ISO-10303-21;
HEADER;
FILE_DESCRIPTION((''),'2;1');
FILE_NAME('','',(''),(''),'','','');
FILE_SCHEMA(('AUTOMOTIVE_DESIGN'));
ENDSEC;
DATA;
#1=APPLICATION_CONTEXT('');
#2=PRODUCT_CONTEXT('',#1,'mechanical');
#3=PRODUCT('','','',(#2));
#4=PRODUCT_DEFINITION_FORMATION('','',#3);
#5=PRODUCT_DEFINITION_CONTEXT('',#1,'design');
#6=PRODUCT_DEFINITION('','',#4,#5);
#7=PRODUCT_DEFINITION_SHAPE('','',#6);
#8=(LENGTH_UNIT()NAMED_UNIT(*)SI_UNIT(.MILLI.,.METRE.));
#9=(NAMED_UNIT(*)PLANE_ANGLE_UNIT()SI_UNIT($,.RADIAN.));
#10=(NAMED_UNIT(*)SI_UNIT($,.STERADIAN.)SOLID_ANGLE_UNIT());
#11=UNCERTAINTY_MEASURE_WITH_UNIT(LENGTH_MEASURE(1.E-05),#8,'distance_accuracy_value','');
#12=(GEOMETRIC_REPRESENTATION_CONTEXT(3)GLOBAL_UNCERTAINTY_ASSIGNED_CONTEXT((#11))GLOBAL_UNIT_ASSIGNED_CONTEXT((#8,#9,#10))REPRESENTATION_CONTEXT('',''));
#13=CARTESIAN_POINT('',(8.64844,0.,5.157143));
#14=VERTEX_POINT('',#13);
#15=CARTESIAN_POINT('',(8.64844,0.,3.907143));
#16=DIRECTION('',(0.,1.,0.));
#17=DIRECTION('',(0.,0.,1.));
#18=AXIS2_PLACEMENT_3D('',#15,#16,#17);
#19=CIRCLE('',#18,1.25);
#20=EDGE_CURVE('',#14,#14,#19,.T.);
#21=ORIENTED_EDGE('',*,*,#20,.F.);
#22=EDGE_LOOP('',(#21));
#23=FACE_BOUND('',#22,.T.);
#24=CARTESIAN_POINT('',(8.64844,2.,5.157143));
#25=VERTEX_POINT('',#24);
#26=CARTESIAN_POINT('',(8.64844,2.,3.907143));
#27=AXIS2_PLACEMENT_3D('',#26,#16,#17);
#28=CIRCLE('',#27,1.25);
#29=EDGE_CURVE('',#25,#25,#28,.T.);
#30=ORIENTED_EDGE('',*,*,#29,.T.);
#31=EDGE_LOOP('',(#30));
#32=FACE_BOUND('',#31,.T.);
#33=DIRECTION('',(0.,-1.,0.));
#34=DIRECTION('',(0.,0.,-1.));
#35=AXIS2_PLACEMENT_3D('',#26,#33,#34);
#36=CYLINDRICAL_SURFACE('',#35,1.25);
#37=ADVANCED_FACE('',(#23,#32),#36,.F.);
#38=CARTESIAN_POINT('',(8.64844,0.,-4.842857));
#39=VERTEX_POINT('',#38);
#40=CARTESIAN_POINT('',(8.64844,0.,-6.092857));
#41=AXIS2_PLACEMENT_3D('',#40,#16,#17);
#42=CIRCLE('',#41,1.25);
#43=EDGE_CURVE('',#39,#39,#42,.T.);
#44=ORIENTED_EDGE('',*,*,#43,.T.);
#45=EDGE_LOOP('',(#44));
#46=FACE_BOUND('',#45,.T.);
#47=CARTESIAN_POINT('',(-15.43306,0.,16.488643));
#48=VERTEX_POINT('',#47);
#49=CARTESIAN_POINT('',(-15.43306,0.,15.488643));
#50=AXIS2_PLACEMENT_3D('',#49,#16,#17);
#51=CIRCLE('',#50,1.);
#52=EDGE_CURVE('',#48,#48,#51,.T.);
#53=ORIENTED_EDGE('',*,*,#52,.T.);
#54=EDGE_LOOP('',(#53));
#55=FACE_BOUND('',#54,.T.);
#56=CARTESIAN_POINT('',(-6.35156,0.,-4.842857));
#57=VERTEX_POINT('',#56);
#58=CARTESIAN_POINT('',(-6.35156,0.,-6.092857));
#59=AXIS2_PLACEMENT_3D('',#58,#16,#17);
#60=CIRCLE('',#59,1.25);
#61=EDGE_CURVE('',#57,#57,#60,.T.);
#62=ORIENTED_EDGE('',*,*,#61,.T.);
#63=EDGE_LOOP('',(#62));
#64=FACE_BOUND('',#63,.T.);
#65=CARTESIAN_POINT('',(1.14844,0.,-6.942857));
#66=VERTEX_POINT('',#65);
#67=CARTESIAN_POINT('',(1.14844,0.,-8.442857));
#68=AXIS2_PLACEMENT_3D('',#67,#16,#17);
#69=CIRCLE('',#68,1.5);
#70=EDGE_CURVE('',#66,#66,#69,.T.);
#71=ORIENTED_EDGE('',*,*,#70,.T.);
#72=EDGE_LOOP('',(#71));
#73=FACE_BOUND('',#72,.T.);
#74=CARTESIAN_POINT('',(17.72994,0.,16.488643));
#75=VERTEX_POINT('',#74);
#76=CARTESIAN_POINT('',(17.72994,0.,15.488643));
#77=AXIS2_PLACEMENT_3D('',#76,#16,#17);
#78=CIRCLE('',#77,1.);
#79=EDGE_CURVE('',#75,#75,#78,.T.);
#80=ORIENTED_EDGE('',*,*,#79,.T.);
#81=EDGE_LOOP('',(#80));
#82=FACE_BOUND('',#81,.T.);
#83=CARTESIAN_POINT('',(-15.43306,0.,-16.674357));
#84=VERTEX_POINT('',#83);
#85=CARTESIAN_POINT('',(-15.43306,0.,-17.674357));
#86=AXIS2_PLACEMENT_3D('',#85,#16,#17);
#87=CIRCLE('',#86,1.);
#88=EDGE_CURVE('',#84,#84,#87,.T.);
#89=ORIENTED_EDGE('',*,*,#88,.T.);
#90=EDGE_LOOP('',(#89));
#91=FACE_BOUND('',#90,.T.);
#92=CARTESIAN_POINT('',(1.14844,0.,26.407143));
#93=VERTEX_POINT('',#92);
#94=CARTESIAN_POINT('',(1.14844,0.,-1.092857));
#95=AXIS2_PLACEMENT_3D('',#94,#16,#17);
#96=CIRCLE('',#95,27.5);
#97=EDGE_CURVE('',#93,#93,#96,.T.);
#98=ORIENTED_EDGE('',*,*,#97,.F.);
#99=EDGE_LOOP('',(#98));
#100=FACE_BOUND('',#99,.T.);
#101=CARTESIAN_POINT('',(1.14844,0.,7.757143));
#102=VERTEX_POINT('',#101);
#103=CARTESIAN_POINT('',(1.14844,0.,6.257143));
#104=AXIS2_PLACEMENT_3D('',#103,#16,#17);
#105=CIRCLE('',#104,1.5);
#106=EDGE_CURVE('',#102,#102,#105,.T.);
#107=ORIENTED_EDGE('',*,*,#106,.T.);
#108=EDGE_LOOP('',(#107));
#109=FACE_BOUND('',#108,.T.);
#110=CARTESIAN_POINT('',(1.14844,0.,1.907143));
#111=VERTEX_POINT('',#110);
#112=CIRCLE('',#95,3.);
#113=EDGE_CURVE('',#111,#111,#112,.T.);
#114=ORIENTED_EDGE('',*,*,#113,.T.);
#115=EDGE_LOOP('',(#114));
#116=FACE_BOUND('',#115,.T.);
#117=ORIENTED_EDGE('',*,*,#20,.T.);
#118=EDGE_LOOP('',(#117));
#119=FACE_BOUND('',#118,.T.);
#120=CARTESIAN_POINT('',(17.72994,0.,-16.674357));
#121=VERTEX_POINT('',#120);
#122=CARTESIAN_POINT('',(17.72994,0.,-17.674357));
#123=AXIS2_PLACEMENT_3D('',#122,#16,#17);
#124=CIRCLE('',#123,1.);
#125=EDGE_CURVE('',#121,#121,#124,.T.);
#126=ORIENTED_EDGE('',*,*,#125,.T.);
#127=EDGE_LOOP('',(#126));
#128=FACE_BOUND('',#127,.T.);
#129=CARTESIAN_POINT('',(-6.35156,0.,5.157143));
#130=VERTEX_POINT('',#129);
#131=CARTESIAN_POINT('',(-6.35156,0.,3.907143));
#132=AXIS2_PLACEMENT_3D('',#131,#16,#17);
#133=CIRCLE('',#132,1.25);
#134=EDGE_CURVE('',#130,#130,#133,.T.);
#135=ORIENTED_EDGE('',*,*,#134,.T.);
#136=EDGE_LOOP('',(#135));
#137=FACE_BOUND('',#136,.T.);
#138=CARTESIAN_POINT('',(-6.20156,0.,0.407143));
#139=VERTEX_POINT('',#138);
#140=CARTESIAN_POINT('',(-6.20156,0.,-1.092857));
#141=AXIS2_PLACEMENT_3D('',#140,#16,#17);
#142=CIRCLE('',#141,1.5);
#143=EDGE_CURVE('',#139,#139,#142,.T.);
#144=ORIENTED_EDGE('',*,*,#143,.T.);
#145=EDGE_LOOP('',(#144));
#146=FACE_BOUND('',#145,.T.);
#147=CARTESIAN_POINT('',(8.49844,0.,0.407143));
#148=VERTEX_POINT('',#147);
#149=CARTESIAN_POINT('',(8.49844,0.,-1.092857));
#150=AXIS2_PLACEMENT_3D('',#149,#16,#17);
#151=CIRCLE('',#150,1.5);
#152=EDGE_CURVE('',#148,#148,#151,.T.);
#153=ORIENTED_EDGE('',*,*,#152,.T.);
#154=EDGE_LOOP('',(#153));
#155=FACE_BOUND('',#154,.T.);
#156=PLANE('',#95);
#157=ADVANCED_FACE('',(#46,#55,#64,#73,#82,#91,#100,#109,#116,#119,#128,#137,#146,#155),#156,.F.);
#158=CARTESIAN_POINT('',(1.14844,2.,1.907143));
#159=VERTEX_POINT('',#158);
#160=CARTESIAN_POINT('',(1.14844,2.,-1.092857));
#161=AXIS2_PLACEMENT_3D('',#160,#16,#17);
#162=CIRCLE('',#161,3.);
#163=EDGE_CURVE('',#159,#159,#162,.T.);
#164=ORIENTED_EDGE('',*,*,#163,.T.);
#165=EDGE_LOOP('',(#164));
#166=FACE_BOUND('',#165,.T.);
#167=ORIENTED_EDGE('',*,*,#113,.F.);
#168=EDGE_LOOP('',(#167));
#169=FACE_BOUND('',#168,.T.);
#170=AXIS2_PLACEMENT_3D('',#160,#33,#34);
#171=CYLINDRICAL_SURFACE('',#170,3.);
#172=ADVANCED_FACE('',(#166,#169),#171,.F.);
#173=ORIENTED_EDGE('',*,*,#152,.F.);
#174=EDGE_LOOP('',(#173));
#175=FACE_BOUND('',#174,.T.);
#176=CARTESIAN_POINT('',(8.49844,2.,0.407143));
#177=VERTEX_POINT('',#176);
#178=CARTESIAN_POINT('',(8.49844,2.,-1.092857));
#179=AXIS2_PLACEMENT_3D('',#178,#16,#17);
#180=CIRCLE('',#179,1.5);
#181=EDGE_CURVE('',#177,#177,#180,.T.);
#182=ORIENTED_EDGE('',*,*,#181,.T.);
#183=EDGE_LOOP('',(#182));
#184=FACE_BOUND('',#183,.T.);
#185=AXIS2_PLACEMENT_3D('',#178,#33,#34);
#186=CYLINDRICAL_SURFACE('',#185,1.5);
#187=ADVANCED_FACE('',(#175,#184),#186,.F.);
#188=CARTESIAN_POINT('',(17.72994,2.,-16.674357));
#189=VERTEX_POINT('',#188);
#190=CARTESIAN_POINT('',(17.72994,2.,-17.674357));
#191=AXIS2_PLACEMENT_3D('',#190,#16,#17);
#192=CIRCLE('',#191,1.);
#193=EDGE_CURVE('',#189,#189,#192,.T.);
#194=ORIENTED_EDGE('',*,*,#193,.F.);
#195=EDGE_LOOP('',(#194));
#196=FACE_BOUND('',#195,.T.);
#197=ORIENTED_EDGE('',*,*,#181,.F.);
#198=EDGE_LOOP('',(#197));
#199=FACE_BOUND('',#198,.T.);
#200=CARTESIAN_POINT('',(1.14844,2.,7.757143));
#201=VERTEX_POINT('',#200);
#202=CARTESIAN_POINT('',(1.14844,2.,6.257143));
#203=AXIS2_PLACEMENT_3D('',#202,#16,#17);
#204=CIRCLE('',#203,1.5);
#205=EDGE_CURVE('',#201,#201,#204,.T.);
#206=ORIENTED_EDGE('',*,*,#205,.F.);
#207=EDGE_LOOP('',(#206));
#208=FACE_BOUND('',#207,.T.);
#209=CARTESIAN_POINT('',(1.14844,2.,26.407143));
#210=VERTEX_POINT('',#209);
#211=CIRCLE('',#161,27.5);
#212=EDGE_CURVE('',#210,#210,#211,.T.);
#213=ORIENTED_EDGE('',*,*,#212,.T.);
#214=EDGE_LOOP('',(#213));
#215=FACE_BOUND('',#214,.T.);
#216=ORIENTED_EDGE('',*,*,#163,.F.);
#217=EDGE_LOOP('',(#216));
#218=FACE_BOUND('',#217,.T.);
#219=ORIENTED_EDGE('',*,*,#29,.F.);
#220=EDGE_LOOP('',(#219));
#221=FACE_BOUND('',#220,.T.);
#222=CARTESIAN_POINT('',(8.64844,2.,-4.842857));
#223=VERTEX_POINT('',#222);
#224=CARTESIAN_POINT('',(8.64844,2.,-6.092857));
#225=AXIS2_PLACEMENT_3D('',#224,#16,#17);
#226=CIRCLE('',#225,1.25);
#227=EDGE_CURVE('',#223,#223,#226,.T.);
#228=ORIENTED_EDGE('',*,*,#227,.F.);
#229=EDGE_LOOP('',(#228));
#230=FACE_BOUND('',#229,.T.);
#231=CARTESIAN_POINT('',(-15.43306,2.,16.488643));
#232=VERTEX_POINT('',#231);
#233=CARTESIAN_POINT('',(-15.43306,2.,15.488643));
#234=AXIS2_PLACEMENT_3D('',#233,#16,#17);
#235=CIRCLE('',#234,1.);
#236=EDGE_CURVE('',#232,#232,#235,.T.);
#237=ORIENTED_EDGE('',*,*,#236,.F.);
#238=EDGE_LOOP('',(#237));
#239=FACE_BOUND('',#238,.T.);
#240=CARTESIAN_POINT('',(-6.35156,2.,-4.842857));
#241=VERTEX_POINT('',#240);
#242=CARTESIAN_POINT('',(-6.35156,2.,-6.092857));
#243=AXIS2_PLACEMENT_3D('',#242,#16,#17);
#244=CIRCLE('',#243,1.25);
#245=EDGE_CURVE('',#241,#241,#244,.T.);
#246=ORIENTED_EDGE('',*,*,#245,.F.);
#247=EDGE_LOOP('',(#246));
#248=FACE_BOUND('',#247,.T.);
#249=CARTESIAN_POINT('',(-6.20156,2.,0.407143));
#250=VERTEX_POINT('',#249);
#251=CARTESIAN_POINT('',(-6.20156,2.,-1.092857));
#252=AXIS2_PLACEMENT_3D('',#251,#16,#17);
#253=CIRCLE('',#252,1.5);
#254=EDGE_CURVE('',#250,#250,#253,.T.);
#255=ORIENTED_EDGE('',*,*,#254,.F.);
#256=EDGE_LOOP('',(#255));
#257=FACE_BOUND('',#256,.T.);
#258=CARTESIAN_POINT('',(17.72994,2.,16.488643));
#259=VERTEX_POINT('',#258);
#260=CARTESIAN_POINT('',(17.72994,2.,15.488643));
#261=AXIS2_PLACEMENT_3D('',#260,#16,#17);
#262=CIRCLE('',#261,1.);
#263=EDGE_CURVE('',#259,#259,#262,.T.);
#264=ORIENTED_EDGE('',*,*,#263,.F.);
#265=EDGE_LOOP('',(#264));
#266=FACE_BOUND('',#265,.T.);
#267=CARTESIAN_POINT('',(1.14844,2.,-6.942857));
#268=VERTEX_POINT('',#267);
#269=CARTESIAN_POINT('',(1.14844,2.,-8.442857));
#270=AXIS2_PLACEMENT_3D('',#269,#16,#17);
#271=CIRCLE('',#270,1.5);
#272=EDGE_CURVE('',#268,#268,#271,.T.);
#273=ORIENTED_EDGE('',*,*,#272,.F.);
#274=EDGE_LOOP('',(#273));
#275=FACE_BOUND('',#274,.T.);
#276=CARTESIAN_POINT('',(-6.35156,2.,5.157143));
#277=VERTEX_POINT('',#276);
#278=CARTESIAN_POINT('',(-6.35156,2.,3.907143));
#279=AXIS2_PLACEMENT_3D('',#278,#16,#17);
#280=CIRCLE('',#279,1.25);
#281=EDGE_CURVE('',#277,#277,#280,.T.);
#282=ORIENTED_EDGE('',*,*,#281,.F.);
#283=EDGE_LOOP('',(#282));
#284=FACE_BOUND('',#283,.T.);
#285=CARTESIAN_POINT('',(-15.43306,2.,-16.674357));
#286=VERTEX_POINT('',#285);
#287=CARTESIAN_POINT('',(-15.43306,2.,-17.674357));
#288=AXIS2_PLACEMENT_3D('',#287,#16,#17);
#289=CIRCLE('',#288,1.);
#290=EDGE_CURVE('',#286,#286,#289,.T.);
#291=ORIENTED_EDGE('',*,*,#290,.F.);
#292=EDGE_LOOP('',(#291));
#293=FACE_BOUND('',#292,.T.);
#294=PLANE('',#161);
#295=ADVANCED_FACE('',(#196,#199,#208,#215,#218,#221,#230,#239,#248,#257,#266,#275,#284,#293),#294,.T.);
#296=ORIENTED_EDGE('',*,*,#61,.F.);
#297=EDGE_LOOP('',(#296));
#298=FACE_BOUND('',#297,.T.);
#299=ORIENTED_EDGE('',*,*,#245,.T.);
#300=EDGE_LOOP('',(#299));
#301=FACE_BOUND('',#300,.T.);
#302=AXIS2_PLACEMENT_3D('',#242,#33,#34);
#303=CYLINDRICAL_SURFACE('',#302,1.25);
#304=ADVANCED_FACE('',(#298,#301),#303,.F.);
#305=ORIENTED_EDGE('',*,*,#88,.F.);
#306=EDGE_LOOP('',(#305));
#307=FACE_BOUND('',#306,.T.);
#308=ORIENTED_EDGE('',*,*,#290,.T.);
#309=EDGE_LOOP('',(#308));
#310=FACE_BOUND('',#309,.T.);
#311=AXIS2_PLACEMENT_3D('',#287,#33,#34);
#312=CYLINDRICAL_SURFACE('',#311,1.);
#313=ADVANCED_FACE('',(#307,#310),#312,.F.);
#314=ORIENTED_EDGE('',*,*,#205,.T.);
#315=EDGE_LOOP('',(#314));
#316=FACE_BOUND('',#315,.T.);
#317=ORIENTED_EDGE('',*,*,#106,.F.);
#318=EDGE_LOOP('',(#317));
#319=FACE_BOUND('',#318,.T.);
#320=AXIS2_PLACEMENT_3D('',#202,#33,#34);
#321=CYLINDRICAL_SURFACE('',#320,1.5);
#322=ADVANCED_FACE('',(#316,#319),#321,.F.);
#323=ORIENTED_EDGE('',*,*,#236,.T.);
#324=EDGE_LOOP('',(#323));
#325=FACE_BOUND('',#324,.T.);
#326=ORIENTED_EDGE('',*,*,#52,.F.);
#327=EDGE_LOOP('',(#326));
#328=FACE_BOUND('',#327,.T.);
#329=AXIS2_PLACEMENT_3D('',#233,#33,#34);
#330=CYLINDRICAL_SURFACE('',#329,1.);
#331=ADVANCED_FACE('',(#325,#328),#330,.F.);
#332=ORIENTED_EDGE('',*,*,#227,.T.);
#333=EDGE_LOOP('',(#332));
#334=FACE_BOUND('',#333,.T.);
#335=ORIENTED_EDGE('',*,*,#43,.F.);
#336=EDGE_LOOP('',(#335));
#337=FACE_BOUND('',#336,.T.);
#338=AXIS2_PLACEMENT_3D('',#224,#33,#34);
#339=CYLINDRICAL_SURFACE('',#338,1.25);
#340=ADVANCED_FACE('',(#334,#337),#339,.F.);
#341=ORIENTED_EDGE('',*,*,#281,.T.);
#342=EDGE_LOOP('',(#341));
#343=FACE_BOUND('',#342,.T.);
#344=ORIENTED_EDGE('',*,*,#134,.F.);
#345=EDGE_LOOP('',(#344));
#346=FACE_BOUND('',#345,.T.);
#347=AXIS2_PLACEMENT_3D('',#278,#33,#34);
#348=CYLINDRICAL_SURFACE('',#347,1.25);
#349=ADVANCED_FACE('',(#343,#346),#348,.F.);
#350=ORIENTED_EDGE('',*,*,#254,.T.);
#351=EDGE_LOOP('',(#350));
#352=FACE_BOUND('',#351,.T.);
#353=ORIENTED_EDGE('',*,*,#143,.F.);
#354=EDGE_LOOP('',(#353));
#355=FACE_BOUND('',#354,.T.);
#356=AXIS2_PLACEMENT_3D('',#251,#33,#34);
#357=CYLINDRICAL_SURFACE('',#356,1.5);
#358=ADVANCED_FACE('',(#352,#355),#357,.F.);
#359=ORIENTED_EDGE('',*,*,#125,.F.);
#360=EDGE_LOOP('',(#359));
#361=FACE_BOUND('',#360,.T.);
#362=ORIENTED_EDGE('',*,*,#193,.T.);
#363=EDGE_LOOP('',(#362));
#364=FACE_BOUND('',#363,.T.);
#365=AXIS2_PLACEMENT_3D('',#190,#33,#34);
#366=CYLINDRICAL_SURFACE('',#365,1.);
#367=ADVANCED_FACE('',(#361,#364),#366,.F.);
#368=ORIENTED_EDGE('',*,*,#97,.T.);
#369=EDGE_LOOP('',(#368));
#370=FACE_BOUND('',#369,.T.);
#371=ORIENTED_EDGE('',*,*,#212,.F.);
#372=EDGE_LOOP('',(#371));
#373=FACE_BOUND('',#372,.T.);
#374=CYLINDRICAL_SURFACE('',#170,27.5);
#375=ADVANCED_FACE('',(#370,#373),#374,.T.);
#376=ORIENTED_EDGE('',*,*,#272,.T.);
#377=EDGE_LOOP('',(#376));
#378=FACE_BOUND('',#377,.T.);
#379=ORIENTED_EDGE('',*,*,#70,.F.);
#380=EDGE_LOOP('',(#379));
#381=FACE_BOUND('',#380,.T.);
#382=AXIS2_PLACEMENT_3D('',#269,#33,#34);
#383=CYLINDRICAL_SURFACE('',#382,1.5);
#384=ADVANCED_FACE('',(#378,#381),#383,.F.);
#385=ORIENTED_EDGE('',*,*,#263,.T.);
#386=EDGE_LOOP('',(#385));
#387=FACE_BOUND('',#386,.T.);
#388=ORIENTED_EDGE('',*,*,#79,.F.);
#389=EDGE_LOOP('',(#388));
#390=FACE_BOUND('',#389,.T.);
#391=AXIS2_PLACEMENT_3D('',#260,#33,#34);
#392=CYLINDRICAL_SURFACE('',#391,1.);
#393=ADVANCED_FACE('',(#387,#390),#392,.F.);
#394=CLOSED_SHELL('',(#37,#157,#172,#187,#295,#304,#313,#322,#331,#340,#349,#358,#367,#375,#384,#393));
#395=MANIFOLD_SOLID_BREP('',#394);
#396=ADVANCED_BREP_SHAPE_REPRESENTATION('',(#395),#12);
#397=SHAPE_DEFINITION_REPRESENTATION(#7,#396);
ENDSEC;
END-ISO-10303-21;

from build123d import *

# Parameters (mm, degrees)
CROQUIS_BASE_R          = 27.5
CROQUIS_BASE_R_2        = 3
CROQUIS_BASE_R_3        = 1.5
CROQUIS_BASE_R_4        = 1.25
CROQUIS_BASE_R_5        = 1
SALIENTE_EXTRUIR1_DEPTH = 2


with BuildPart() as part:
    # Croquis base → Saliente-Extruir1 (new body)
    with BuildSketch(Plane(origin=(0, 0, 0), x_dir=(1, 0, 0), z_dir=(0, 1, 0))):
        with Locations(Location((1.148439705, 1.092857143, 0), (0, 0, 270))):
            Circle(CROQUIS_BASE_R)
        with Locations(Location((1.148439705, 1.092857143, 0), (0, 0, 270))):
            Circle(CROQUIS_BASE_R_2, mode=Mode.SUBTRACT)
        with Locations(Location((-6.201560295, 1.092857143, 0), (0, 0, 270))):
            Circle(CROQUIS_BASE_R_3, mode=Mode.SUBTRACT)
        with Locations(Location((1.148439705, 8.442857143, 0), (0, 0, 270))):
            Circle(CROQUIS_BASE_R_3, mode=Mode.SUBTRACT)
        with Locations(Location((8.498439705, 1.092857143, 0), (0, 0, 270))):
            Circle(CROQUIS_BASE_R_3, mode=Mode.SUBTRACT)
        with Locations(Location((1.148439705, -6.257142857, 0), (0, 0, 270))):
            Circle(CROQUIS_BASE_R_3, mode=Mode.SUBTRACT)
        with Locations(Location((-6.351560295, 6.092857143, 0), (0, 0, 270))):
            Circle(CROQUIS_BASE_R_4, mode=Mode.SUBTRACT)
        with Locations(Location((8.648439705, 6.092857143, 0), (0, 0, 270))):
            Circle(CROQUIS_BASE_R_4, mode=Mode.SUBTRACT)
        with Locations(Location((8.648439705, -3.907142857, 0), (0, 0, 270))):
            Circle(CROQUIS_BASE_R_4, mode=Mode.SUBTRACT)
        with Locations(Location((-6.351560295, -3.907142857, 0), (0, 0, 270))):
            Circle(CROQUIS_BASE_R_4, mode=Mode.SUBTRACT)
        with Locations(Location((-15.433060295, 17.674357143, 0), (0, 0, 270))):
            Circle(CROQUIS_BASE_R_5, mode=Mode.SUBTRACT)
        with Locations(Location((17.729939705, 17.674357143, 0), (0, 0, 270))):
            Circle(CROQUIS_BASE_R_5, mode=Mode.SUBTRACT)
        with Locations(Location((17.729939705, -15.488642857, 0), (0, 0, 270))):
            Circle(CROQUIS_BASE_R_5, mode=Mode.SUBTRACT)
        with Locations(Location((-15.433060295, -15.488642857, 0), (0, 0, 270))):
            Circle(CROQUIS_BASE_R_5, mode=Mode.SUBTRACT)
    extrude(amount=SALIENTE_EXTRUIR1_DEPTH)


solid = part.part
